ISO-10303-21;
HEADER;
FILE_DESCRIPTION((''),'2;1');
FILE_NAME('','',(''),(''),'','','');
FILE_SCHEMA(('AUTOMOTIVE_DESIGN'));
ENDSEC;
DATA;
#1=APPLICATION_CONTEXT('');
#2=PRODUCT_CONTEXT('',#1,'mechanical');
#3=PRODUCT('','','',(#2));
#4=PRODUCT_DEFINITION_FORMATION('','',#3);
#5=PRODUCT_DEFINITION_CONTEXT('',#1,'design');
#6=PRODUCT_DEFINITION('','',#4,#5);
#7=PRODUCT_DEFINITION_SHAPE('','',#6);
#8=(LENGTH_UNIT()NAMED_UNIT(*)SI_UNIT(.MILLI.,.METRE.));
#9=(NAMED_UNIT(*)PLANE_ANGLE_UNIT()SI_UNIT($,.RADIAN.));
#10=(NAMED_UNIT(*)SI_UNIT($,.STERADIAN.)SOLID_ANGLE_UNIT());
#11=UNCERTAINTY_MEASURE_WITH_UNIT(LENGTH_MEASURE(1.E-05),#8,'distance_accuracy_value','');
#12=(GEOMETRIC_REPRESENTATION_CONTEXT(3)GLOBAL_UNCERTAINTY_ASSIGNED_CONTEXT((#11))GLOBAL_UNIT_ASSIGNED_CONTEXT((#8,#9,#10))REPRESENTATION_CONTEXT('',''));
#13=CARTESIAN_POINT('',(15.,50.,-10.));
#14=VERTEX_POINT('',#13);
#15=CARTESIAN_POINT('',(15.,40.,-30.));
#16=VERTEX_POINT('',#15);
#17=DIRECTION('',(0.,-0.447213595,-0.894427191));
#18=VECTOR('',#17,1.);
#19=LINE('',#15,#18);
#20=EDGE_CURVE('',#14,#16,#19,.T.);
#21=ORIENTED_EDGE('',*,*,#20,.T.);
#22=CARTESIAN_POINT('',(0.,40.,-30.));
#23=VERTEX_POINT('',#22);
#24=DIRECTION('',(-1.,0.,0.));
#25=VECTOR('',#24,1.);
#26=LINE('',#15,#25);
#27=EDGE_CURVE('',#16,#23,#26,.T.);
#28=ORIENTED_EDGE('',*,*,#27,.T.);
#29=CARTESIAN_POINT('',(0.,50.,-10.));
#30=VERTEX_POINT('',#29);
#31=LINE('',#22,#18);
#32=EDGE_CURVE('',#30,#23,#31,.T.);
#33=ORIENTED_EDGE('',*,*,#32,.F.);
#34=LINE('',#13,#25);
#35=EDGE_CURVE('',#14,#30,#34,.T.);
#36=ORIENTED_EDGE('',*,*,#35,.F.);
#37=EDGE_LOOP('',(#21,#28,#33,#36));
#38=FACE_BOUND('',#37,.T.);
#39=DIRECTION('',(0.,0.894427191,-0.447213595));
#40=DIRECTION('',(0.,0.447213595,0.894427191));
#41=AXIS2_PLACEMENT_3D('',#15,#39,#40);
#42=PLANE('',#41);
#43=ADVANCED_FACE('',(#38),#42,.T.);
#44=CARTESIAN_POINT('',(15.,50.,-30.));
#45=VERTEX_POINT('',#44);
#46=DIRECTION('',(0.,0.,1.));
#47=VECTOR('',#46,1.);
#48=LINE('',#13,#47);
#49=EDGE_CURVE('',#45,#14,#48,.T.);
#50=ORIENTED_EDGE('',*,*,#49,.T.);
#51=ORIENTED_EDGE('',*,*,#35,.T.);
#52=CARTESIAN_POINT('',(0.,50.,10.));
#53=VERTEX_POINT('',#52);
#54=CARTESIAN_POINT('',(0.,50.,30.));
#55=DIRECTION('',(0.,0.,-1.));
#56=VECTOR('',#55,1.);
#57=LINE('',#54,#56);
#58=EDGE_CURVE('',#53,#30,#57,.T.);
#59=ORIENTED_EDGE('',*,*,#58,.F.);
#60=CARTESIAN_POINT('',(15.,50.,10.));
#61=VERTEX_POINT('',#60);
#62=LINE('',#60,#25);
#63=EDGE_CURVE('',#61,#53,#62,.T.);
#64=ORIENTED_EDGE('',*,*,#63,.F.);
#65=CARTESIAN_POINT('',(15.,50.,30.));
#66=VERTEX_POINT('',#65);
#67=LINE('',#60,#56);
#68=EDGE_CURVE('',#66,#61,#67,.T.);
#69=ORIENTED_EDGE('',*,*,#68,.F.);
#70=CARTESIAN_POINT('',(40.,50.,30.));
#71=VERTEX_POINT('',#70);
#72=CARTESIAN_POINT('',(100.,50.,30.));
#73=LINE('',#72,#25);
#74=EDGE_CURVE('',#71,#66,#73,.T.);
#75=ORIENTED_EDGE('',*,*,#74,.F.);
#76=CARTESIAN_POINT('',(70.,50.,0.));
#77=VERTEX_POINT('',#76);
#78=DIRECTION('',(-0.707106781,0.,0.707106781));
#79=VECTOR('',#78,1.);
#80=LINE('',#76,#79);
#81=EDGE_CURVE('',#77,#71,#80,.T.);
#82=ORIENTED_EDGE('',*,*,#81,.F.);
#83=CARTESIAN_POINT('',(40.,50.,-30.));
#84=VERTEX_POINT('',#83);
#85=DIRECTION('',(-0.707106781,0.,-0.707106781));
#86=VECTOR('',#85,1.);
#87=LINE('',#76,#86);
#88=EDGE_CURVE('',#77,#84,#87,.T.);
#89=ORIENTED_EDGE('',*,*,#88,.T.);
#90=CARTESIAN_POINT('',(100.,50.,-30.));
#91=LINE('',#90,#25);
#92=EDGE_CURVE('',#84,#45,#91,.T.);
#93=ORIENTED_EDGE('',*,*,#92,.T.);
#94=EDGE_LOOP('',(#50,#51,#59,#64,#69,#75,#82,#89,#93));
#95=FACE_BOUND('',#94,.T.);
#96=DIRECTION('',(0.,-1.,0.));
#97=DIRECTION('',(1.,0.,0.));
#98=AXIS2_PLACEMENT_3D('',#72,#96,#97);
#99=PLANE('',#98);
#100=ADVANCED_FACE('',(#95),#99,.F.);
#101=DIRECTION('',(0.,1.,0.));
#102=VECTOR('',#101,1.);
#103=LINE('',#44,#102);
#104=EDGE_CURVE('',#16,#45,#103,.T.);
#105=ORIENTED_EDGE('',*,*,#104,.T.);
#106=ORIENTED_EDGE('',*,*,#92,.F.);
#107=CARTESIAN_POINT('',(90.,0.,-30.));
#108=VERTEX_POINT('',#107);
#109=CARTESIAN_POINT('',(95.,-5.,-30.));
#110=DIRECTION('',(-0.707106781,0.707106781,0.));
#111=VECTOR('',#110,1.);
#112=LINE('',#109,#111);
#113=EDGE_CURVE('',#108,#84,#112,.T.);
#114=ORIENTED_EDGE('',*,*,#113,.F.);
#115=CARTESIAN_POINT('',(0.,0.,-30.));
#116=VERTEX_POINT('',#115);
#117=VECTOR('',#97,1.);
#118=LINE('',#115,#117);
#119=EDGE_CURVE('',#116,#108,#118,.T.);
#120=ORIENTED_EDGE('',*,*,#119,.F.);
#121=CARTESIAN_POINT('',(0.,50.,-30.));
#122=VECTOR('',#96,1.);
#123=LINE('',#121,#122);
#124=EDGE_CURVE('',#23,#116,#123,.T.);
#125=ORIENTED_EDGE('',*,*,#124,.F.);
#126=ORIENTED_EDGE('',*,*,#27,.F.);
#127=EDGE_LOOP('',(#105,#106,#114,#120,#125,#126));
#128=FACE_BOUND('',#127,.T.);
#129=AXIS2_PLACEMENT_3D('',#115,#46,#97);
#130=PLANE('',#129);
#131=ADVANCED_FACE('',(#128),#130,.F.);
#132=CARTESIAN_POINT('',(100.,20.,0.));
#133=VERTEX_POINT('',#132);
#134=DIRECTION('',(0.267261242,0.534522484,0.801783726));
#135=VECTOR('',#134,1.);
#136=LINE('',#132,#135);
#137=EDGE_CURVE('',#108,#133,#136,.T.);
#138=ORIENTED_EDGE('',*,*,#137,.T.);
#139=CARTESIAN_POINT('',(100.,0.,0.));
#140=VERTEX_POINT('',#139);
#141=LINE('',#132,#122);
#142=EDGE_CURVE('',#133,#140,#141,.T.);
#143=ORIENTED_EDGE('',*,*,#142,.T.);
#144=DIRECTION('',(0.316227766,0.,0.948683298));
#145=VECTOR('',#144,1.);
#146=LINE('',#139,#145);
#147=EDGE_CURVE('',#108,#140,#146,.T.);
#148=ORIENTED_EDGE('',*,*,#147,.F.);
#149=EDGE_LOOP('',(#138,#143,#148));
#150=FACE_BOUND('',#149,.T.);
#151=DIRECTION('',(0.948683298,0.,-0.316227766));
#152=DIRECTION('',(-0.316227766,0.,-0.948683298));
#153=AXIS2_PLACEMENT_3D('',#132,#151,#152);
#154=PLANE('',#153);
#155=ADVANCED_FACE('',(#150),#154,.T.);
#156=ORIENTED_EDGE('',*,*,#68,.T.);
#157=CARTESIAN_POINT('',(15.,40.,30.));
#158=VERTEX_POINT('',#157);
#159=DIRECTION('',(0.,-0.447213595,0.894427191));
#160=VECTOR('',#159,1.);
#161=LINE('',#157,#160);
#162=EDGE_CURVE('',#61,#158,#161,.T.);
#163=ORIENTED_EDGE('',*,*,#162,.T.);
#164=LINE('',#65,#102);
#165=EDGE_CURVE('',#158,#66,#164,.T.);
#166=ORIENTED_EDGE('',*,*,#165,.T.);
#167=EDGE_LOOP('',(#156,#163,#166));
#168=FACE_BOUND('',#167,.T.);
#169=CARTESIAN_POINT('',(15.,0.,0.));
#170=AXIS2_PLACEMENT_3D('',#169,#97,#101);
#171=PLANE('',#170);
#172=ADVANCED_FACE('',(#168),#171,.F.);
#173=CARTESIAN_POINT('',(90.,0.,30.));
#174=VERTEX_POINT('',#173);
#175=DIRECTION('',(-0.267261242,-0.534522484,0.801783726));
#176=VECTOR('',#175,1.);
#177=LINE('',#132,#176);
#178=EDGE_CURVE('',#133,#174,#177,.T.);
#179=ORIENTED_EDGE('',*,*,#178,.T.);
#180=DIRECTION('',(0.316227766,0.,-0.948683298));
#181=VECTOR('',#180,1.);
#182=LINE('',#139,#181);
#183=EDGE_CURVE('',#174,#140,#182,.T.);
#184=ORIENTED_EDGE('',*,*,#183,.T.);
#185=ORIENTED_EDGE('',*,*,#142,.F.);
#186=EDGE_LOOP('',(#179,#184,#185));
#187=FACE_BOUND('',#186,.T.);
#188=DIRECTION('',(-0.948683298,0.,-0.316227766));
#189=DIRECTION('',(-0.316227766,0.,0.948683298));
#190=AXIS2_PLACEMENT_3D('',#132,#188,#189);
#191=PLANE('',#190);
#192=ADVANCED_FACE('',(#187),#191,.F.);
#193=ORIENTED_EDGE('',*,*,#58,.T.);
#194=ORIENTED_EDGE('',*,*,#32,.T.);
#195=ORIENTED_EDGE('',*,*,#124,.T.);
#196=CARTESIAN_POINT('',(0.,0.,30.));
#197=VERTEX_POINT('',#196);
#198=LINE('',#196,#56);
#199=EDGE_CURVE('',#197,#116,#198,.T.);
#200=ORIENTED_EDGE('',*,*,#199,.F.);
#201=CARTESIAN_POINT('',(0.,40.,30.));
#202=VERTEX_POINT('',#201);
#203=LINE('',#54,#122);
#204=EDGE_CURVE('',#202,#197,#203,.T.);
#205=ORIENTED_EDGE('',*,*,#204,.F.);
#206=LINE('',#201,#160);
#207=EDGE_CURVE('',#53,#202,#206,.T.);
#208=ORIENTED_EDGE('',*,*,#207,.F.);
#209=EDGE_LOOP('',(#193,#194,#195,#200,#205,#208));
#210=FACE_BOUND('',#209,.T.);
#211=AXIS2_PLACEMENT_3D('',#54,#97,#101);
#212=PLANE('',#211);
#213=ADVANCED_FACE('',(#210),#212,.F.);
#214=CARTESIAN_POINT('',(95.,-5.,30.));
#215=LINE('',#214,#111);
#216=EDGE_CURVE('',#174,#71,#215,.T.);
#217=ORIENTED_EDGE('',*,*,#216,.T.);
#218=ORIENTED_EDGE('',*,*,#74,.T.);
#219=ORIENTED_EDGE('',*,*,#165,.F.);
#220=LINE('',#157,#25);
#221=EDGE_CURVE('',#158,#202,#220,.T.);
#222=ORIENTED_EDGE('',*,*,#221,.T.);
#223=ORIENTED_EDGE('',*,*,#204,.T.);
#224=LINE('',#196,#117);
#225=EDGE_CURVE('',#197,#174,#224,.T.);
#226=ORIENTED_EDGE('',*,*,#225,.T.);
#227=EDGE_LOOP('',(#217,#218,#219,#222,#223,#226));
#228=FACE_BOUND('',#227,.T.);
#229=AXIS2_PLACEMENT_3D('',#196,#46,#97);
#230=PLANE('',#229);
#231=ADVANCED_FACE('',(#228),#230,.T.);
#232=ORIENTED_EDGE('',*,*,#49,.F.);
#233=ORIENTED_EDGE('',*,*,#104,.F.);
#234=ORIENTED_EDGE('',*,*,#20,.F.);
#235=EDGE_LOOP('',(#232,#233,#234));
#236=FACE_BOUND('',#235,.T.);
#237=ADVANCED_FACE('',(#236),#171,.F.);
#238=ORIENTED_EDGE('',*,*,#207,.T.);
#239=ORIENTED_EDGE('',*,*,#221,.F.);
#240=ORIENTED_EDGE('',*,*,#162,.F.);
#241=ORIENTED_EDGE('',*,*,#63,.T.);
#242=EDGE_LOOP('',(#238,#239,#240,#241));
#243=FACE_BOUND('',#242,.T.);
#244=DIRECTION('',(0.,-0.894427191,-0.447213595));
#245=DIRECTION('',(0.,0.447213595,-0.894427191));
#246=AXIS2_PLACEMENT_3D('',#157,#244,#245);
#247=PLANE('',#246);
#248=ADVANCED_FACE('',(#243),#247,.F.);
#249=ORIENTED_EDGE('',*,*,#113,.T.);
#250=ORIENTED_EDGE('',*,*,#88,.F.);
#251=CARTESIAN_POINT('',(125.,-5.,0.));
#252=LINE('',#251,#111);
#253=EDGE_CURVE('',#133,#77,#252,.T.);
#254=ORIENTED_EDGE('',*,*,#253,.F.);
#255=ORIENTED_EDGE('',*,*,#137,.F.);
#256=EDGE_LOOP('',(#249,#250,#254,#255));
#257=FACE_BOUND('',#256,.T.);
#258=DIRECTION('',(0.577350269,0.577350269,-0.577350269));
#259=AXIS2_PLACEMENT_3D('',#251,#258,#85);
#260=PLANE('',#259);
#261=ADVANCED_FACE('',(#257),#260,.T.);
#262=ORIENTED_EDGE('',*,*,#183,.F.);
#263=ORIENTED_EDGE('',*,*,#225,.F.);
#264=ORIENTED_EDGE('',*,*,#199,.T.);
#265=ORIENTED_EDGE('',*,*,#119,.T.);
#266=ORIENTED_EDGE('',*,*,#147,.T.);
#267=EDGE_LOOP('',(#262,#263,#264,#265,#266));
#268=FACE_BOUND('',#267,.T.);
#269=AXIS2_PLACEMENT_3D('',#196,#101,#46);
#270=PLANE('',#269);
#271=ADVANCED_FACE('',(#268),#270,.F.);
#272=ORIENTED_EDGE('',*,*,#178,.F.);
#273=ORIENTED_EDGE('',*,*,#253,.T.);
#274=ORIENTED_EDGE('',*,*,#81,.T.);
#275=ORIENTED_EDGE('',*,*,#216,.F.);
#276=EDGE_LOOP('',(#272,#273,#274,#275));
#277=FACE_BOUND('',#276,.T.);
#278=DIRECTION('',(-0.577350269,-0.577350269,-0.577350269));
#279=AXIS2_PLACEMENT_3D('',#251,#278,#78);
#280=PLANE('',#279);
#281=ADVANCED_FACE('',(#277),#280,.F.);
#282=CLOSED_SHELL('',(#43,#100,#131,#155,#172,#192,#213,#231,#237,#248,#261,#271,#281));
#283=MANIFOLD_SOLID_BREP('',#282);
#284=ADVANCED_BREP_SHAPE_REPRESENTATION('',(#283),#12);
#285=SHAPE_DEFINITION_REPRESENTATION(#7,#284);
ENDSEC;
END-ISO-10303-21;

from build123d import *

# Parameters (mm, degrees)
CROQUIS2_W              = 100
CROQUIS2_H              = 50
SALIENTE_EXTRUIR1_DEPTH = 30
CORTAR_EXTRUIR1_DEPTH   = 15
CORTAR_EXTRUIR2_DEPTH   = 20
CORTAR_EXTRUIR3_DEPTH   = 165.121269


with BuildPart() as part:
    # Croquis2 → Saliente-Extruir1 (new, symmetric)
    with BuildSketch(Plane.XY):
        with Locations((50, 25)):
            Rectangle(CROQUIS2_W, CROQUIS2_H)
    extrude(amount=SALIENTE_EXTRUIR1_DEPTH, both=True)

    # Croquis3 → Cortar-Extruir1 (cut)
    with BuildSketch(Plane.ZY):
        Polygon((30, 50), (30, 40), (10, 50), align=None)
    cortar_extruir1 = extrude(amount=-CORTAR_EXTRUIR1_DEPTH, mode=Mode.SUBTRACT)

    # Croquis4 → Cortar-Extruir2 (cut)
    with BuildSketch(Plane.XZ):
        Polygon((100, 0), (90, 30), (100, 30), align=None)
    cortar_extruir2 = extrude(amount=-CORTAR_EXTRUIR2_DEPTH, mode=Mode.SUBTRACT)

    # Croquis6 → Cortar-Extruir3 (cut, through all, along a direction that is not the sketch's normal)
    with BuildSketch(Plane(origin=(0, 50, 0), x_dir=(1, 0, 0), z_dir=(0, 1, 0))):
        Polygon((100, 0), (70, 0), (40, -30), (100, -30), align=None)
    cortar_extruir3 = extrude(amount=-CORTAR_EXTRUIR3_DEPTH, dir=(-0.7071067811865475, 0.7071067811865476, 0), mode=Mode.SUBTRACT)

    # Simetría1: Cortar-Extruir1, Cortar-Extruir2, Cortar-Extruir3 across plane
    add(cortar_extruir1.mirror(Plane.XY), mode=Mode.SUBTRACT)
    add(cortar_extruir2.mirror(Plane.XY), mode=Mode.SUBTRACT)
    add(cortar_extruir3.mirror(Plane.XY), mode=Mode.SUBTRACT)


solid = part.part
